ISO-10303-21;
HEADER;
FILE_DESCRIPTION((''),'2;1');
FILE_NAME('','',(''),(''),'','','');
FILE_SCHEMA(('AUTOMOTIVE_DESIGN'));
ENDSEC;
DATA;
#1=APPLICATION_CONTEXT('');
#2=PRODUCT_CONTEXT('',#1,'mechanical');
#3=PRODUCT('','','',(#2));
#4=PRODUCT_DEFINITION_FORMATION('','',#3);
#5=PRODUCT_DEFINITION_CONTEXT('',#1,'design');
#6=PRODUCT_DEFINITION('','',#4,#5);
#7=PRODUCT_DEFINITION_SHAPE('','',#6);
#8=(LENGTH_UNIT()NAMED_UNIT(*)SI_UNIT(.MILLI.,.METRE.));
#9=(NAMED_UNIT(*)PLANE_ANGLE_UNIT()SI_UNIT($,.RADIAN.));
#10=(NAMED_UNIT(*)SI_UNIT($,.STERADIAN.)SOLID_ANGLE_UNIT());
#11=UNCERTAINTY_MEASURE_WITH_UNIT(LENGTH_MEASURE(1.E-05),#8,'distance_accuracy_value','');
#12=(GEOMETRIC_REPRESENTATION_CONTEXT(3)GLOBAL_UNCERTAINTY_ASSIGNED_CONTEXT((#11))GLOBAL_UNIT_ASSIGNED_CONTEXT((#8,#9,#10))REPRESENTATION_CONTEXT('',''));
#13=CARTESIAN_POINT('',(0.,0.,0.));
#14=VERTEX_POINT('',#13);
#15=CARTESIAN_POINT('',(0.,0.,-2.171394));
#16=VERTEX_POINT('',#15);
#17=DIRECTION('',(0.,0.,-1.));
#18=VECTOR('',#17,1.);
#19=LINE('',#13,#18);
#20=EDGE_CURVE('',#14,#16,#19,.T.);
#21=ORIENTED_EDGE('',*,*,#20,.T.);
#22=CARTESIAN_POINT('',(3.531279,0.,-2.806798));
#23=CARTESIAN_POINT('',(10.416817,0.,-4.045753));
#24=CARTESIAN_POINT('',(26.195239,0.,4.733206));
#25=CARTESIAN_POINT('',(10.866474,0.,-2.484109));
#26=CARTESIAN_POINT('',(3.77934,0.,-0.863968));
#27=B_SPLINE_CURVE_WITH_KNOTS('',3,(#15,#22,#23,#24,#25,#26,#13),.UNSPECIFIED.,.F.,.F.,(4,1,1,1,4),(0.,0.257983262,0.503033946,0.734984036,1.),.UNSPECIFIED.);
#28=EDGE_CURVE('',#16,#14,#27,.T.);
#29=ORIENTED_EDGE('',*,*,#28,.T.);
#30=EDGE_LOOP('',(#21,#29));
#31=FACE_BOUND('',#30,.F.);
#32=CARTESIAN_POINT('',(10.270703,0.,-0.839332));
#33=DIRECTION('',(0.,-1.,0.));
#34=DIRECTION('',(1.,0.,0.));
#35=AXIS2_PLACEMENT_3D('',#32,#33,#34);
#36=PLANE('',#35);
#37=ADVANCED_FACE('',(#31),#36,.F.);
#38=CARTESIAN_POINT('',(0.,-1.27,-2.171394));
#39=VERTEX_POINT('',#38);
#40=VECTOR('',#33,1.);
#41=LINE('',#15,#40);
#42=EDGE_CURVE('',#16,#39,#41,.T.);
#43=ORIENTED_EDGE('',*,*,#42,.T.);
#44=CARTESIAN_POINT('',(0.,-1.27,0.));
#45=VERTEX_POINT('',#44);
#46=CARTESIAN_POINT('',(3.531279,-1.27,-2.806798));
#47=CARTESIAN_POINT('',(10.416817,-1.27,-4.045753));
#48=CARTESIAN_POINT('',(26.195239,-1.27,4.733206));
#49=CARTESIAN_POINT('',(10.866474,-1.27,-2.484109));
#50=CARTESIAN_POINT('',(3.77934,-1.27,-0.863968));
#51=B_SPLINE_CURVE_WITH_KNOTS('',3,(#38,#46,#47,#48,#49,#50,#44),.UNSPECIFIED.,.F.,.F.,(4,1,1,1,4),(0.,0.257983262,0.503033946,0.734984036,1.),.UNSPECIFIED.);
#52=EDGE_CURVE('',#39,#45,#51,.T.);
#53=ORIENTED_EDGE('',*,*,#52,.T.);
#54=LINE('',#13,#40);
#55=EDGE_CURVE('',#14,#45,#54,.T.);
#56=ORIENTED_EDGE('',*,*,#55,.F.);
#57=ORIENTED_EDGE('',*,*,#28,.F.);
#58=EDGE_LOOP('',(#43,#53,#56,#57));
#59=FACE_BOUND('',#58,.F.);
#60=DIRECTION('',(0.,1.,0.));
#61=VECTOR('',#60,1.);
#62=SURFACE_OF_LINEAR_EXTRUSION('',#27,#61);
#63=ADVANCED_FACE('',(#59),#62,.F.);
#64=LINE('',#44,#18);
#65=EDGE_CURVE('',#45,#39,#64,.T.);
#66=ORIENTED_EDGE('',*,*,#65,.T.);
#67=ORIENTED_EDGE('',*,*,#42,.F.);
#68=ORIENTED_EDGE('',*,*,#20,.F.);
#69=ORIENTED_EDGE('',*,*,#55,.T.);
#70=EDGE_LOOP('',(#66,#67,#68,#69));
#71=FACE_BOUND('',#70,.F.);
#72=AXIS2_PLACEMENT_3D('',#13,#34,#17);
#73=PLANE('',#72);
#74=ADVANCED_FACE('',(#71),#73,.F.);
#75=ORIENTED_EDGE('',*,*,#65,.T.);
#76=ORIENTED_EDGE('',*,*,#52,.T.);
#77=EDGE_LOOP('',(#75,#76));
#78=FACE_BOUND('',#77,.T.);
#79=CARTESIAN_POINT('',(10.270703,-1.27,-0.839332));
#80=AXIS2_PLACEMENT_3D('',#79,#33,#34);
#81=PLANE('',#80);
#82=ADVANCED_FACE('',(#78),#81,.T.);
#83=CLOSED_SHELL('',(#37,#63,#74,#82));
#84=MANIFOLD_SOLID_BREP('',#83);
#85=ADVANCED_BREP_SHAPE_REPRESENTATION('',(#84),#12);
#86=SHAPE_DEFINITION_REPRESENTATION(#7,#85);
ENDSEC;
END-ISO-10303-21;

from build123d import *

# Parameters (mm, degrees)
F1_DEPTH = 1.27


with BuildPart() as f1:
    # F0 (on Front) → F1 (new body)
    with BuildSketch(Plane.XZ):
        with BuildLine():
            add(Edge.make_bspline(
                [(0, -2.1713943579), (3.5312793068, -2.8067980197), (10.4168169978, -4.0457528445), (26.1952391106, 4.7332063392), (10.8664742559, -2.4841087437), (3.7793399186, -0.8639683562), (0, 0)],
                knots=[0, 0, 0, 0, 0.2579832616, 0.5030339461, 0.7349840356, 1, 1, 1, 1], degree=3))
            Line((0, 0), (0, -2.1713943579))
        make_face()
    extrude(amount=F1_DEPTH)


solid = f1.part
